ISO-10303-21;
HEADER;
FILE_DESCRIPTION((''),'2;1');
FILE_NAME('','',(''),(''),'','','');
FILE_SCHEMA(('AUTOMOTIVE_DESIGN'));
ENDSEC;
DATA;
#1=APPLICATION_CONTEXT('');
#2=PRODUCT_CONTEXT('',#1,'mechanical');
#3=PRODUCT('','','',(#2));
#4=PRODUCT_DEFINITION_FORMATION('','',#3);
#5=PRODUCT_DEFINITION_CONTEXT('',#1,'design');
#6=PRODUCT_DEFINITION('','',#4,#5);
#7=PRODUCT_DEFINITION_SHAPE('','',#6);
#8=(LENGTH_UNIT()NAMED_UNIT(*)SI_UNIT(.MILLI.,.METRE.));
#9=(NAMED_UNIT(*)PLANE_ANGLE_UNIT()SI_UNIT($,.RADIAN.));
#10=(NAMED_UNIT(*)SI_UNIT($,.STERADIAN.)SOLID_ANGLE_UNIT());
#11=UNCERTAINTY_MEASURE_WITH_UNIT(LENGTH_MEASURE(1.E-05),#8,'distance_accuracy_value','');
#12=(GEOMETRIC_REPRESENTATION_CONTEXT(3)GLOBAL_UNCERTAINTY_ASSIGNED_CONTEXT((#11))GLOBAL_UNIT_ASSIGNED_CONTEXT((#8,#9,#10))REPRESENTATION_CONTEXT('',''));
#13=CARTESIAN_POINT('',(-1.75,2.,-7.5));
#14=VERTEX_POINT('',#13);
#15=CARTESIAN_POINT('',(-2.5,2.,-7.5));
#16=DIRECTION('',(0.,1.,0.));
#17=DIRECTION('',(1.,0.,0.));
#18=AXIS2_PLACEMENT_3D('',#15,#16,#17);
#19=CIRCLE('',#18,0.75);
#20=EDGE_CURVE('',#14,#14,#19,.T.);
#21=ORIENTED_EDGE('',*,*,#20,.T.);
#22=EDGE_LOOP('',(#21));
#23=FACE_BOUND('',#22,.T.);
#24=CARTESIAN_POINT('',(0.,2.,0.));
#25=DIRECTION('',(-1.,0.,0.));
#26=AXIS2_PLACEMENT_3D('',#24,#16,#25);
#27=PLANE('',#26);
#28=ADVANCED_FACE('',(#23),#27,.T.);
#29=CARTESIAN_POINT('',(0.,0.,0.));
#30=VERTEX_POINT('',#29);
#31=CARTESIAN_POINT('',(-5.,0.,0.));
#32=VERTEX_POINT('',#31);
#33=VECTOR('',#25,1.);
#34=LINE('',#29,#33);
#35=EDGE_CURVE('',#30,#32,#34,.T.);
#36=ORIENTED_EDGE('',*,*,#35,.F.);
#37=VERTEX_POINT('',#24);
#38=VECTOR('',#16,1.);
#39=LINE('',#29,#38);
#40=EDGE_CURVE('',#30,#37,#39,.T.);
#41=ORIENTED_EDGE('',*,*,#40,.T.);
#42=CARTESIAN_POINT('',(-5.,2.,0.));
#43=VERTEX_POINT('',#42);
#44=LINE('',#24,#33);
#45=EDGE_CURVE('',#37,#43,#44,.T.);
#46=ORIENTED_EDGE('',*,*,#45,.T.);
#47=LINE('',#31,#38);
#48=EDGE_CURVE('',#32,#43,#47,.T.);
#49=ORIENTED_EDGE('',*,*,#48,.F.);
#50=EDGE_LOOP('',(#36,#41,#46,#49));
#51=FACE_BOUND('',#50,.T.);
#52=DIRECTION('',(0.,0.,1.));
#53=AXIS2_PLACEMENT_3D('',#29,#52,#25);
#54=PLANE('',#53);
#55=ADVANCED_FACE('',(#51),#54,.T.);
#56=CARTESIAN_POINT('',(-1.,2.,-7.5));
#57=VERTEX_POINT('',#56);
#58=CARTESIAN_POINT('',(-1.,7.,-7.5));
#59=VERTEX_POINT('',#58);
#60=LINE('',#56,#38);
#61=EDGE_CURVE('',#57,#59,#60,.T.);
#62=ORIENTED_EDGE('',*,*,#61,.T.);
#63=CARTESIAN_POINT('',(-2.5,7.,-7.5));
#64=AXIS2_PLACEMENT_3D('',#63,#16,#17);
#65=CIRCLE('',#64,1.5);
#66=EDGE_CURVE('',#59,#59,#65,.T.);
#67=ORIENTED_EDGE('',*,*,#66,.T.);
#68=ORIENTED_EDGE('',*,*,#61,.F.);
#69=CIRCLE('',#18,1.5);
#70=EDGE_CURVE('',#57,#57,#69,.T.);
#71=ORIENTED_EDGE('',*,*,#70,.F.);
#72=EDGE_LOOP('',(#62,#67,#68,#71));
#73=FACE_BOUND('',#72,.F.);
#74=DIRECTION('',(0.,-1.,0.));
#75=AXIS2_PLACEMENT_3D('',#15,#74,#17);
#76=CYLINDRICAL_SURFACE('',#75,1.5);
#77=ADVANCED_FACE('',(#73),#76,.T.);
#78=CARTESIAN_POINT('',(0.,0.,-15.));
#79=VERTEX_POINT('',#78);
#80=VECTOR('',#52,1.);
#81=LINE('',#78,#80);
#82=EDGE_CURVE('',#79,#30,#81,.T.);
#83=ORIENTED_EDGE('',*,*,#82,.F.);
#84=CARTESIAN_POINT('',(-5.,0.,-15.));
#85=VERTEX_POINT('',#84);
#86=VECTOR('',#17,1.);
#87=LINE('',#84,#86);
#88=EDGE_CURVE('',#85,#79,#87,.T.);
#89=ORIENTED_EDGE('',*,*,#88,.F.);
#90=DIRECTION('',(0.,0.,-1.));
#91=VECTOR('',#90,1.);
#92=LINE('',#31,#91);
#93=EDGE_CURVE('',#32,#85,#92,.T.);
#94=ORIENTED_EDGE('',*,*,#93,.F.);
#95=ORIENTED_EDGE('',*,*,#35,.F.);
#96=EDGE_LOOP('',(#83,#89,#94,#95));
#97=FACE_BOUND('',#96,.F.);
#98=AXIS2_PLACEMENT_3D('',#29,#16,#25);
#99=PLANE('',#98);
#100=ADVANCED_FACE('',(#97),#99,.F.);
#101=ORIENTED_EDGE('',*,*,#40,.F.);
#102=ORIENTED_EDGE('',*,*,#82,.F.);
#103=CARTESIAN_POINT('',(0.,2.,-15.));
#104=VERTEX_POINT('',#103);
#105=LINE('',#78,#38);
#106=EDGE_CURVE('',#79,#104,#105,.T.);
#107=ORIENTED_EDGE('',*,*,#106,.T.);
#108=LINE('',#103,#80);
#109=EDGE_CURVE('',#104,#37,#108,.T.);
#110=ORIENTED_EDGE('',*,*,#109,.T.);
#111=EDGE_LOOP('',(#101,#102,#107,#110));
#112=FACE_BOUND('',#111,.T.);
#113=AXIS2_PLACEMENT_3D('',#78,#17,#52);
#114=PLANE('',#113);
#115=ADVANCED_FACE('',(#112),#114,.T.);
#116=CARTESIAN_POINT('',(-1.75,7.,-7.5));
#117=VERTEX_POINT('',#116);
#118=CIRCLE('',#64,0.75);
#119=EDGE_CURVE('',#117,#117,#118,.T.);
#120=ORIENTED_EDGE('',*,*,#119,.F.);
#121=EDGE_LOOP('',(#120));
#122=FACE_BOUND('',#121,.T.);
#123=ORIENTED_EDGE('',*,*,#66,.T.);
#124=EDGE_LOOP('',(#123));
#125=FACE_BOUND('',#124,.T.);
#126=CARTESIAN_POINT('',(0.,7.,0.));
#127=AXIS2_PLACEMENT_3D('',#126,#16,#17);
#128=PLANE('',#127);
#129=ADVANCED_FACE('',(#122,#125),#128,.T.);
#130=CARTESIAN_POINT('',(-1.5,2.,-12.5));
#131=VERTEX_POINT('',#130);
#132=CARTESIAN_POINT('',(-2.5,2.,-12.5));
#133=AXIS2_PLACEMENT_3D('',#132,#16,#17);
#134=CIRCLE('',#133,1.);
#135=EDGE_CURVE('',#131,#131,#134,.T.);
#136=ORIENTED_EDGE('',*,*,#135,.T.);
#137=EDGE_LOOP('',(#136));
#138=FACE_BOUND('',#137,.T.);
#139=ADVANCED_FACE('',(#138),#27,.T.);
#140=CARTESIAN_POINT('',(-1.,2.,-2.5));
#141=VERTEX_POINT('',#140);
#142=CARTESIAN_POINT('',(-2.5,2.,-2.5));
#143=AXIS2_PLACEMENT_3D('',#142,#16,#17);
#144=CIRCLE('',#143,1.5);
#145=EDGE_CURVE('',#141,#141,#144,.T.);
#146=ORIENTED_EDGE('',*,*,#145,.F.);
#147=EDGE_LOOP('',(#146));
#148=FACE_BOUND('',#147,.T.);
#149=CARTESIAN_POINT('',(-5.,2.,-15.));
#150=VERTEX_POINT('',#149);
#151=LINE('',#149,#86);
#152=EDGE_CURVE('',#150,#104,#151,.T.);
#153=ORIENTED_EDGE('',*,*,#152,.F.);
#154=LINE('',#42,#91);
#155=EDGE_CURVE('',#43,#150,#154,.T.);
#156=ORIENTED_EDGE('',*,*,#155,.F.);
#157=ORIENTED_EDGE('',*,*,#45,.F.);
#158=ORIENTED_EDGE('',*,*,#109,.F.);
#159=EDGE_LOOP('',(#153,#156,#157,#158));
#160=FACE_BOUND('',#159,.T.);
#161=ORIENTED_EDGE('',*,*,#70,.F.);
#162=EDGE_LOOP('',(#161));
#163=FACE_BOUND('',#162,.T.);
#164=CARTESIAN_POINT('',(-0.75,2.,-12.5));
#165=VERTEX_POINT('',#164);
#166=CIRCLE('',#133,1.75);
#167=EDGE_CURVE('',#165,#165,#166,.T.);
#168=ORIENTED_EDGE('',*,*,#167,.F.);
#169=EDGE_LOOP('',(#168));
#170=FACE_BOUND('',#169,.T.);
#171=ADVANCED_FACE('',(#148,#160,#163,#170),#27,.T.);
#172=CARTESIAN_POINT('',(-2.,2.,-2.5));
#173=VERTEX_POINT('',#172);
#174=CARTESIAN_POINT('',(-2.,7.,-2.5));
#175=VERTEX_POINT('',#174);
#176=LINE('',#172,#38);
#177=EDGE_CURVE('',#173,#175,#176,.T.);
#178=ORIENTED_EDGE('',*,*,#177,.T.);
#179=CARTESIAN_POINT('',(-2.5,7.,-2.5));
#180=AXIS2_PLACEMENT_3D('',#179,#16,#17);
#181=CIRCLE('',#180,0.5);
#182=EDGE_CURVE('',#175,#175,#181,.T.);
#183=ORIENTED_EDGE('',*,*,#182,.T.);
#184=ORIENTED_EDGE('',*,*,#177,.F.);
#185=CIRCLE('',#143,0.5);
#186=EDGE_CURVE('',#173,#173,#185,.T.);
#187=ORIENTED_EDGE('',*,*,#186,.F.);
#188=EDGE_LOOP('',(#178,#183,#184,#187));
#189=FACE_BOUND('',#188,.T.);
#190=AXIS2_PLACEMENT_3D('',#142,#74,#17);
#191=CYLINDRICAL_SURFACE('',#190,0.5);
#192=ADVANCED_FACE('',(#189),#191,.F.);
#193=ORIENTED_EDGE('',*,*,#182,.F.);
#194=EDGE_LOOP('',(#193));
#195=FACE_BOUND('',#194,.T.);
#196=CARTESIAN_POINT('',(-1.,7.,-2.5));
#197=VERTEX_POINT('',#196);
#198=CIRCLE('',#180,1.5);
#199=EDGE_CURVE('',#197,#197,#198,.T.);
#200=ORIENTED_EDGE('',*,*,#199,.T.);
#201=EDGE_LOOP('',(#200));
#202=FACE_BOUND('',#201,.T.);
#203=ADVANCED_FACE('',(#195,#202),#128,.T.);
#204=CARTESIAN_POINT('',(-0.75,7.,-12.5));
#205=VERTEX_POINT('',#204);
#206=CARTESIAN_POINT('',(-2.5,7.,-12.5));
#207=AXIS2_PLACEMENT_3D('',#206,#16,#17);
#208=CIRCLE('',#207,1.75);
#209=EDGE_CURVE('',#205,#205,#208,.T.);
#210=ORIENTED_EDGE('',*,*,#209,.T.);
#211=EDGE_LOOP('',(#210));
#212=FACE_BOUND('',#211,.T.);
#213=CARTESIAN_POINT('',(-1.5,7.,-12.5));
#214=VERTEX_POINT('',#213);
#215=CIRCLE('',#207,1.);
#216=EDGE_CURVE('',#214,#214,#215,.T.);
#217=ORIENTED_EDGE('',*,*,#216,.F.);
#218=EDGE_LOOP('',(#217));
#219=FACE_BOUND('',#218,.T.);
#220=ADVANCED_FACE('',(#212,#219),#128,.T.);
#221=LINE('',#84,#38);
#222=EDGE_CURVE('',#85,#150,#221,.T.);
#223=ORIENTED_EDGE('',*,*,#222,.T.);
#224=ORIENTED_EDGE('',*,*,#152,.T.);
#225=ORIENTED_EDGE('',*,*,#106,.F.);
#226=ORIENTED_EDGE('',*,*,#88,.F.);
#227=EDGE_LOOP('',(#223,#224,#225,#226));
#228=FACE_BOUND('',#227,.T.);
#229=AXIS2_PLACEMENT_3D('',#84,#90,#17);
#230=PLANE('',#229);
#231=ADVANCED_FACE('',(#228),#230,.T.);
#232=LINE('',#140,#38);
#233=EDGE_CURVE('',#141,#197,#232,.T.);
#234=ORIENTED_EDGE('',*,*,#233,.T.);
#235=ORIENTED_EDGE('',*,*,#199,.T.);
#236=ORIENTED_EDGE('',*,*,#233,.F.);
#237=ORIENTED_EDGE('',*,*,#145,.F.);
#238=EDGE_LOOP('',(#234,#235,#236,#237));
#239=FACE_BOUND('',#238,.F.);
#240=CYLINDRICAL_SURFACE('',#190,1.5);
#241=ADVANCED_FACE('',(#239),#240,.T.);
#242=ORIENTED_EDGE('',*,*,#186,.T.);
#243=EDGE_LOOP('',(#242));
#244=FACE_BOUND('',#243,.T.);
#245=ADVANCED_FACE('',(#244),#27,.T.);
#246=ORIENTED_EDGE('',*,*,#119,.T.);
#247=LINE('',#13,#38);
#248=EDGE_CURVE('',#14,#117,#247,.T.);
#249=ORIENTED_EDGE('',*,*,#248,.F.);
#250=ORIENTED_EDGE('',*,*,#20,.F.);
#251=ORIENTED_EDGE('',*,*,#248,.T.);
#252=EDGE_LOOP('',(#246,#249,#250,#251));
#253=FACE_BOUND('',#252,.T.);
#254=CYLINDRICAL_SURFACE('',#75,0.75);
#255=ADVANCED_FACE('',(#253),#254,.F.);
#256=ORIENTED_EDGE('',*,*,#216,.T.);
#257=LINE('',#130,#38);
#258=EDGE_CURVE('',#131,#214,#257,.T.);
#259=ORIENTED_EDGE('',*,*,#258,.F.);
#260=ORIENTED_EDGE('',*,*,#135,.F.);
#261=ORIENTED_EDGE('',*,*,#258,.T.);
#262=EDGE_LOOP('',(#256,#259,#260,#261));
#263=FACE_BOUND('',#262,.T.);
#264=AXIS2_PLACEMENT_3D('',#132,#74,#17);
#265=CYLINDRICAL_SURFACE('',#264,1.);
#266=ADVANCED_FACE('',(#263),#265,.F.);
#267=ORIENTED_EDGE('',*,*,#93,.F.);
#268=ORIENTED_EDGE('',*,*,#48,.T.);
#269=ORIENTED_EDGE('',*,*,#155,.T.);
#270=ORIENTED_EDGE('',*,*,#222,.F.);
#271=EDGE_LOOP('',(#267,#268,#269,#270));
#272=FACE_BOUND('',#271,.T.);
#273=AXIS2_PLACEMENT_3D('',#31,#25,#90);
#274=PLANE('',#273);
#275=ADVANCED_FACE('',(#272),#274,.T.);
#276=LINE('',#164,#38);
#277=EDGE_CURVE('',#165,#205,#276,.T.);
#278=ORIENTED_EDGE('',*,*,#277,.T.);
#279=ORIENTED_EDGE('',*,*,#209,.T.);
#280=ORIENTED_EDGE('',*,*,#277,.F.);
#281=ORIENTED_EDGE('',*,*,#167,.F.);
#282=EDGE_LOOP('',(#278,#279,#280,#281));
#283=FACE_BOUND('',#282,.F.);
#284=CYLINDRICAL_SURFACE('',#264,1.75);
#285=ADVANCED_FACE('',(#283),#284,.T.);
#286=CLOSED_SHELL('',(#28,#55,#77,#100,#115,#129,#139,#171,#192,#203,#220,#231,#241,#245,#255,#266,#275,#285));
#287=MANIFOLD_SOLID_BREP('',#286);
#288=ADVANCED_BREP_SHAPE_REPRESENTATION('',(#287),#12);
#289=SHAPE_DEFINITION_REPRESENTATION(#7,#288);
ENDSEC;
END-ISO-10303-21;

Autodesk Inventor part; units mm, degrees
ref_plane "YZ Plane" through (0, 0, 0) normal (1, 0, 0) x (0, 1, 0)
ref_plane "XZ Plane" through (0, 0, 0) normal (0, 1, 0) x (-1, 0, 0)
ref_plane "XY Plane" through (0, 0, 0) normal (0, 0, 1) x (1, 0, 0)
sketch "Sketch1" plane through (0, 0, 0) normal (0, 1, 0) x (-1, 0, 0)
  line L0 (0, 0) -> (5, 0)
  line L1 (5, 0) -> (5, -15)
  line L2 (5, -15) -> (0, -15)
  line L3 (0, -15) -> (0, 0)
  dimension "d0" = 5
  dimension "d1" = 15
extrude "Extrusion1" add sketch "Sketch1" along normal blind 2
sketch "Sketch2" plane through (0, 2, 0) normal (0, 1, 0) x (1, 0, 0)
  line L0 (0, 0) -> (0, 2.5)
  line L1 (0, 2.5) -> (0, 7.5)
  line L2 (0, 7.5) -> (0, 12.5)
  line L3 (0, 2.5) -> (-2.5, 2.5)
  circle A0 centre (-2.5, 2.5) radius 0.5
  circle A1 centre (-2.5, 2.5) radius 1.5
  line L4 (0, 7.5) -> (-2.5, 7.5)
  circle A2 centre (-2.5, 7.5) radius 0.75
  circle A3 centre (-2.5, 7.5) radius 1.5
  line L5 (0, 12.5) -> (-2.5, 12.5)
  circle A4 centre (-2.5, 12.5) radius 1
  circle A5 centre (-2.5, 12.5) radius 1.75
  dimension "d4" = 2.5
  dimension "d5" = 5
  dimension "d6" = 5
  dimension "d7" = 2.5
  dimension "d8" = 1
  dimension "d9" = 3
  dimension "d10" = 2.5
  dimension "d11" = 1.5
  dimension "d12" = 3
  dimension "d13" = 2.5
  dimension "d14" = 2
  dimension "d15" = 3.5
extrude "Extrusion2" add sketch "Sketch2" along normal blind 5
properties part number "HoleSizeTest"
